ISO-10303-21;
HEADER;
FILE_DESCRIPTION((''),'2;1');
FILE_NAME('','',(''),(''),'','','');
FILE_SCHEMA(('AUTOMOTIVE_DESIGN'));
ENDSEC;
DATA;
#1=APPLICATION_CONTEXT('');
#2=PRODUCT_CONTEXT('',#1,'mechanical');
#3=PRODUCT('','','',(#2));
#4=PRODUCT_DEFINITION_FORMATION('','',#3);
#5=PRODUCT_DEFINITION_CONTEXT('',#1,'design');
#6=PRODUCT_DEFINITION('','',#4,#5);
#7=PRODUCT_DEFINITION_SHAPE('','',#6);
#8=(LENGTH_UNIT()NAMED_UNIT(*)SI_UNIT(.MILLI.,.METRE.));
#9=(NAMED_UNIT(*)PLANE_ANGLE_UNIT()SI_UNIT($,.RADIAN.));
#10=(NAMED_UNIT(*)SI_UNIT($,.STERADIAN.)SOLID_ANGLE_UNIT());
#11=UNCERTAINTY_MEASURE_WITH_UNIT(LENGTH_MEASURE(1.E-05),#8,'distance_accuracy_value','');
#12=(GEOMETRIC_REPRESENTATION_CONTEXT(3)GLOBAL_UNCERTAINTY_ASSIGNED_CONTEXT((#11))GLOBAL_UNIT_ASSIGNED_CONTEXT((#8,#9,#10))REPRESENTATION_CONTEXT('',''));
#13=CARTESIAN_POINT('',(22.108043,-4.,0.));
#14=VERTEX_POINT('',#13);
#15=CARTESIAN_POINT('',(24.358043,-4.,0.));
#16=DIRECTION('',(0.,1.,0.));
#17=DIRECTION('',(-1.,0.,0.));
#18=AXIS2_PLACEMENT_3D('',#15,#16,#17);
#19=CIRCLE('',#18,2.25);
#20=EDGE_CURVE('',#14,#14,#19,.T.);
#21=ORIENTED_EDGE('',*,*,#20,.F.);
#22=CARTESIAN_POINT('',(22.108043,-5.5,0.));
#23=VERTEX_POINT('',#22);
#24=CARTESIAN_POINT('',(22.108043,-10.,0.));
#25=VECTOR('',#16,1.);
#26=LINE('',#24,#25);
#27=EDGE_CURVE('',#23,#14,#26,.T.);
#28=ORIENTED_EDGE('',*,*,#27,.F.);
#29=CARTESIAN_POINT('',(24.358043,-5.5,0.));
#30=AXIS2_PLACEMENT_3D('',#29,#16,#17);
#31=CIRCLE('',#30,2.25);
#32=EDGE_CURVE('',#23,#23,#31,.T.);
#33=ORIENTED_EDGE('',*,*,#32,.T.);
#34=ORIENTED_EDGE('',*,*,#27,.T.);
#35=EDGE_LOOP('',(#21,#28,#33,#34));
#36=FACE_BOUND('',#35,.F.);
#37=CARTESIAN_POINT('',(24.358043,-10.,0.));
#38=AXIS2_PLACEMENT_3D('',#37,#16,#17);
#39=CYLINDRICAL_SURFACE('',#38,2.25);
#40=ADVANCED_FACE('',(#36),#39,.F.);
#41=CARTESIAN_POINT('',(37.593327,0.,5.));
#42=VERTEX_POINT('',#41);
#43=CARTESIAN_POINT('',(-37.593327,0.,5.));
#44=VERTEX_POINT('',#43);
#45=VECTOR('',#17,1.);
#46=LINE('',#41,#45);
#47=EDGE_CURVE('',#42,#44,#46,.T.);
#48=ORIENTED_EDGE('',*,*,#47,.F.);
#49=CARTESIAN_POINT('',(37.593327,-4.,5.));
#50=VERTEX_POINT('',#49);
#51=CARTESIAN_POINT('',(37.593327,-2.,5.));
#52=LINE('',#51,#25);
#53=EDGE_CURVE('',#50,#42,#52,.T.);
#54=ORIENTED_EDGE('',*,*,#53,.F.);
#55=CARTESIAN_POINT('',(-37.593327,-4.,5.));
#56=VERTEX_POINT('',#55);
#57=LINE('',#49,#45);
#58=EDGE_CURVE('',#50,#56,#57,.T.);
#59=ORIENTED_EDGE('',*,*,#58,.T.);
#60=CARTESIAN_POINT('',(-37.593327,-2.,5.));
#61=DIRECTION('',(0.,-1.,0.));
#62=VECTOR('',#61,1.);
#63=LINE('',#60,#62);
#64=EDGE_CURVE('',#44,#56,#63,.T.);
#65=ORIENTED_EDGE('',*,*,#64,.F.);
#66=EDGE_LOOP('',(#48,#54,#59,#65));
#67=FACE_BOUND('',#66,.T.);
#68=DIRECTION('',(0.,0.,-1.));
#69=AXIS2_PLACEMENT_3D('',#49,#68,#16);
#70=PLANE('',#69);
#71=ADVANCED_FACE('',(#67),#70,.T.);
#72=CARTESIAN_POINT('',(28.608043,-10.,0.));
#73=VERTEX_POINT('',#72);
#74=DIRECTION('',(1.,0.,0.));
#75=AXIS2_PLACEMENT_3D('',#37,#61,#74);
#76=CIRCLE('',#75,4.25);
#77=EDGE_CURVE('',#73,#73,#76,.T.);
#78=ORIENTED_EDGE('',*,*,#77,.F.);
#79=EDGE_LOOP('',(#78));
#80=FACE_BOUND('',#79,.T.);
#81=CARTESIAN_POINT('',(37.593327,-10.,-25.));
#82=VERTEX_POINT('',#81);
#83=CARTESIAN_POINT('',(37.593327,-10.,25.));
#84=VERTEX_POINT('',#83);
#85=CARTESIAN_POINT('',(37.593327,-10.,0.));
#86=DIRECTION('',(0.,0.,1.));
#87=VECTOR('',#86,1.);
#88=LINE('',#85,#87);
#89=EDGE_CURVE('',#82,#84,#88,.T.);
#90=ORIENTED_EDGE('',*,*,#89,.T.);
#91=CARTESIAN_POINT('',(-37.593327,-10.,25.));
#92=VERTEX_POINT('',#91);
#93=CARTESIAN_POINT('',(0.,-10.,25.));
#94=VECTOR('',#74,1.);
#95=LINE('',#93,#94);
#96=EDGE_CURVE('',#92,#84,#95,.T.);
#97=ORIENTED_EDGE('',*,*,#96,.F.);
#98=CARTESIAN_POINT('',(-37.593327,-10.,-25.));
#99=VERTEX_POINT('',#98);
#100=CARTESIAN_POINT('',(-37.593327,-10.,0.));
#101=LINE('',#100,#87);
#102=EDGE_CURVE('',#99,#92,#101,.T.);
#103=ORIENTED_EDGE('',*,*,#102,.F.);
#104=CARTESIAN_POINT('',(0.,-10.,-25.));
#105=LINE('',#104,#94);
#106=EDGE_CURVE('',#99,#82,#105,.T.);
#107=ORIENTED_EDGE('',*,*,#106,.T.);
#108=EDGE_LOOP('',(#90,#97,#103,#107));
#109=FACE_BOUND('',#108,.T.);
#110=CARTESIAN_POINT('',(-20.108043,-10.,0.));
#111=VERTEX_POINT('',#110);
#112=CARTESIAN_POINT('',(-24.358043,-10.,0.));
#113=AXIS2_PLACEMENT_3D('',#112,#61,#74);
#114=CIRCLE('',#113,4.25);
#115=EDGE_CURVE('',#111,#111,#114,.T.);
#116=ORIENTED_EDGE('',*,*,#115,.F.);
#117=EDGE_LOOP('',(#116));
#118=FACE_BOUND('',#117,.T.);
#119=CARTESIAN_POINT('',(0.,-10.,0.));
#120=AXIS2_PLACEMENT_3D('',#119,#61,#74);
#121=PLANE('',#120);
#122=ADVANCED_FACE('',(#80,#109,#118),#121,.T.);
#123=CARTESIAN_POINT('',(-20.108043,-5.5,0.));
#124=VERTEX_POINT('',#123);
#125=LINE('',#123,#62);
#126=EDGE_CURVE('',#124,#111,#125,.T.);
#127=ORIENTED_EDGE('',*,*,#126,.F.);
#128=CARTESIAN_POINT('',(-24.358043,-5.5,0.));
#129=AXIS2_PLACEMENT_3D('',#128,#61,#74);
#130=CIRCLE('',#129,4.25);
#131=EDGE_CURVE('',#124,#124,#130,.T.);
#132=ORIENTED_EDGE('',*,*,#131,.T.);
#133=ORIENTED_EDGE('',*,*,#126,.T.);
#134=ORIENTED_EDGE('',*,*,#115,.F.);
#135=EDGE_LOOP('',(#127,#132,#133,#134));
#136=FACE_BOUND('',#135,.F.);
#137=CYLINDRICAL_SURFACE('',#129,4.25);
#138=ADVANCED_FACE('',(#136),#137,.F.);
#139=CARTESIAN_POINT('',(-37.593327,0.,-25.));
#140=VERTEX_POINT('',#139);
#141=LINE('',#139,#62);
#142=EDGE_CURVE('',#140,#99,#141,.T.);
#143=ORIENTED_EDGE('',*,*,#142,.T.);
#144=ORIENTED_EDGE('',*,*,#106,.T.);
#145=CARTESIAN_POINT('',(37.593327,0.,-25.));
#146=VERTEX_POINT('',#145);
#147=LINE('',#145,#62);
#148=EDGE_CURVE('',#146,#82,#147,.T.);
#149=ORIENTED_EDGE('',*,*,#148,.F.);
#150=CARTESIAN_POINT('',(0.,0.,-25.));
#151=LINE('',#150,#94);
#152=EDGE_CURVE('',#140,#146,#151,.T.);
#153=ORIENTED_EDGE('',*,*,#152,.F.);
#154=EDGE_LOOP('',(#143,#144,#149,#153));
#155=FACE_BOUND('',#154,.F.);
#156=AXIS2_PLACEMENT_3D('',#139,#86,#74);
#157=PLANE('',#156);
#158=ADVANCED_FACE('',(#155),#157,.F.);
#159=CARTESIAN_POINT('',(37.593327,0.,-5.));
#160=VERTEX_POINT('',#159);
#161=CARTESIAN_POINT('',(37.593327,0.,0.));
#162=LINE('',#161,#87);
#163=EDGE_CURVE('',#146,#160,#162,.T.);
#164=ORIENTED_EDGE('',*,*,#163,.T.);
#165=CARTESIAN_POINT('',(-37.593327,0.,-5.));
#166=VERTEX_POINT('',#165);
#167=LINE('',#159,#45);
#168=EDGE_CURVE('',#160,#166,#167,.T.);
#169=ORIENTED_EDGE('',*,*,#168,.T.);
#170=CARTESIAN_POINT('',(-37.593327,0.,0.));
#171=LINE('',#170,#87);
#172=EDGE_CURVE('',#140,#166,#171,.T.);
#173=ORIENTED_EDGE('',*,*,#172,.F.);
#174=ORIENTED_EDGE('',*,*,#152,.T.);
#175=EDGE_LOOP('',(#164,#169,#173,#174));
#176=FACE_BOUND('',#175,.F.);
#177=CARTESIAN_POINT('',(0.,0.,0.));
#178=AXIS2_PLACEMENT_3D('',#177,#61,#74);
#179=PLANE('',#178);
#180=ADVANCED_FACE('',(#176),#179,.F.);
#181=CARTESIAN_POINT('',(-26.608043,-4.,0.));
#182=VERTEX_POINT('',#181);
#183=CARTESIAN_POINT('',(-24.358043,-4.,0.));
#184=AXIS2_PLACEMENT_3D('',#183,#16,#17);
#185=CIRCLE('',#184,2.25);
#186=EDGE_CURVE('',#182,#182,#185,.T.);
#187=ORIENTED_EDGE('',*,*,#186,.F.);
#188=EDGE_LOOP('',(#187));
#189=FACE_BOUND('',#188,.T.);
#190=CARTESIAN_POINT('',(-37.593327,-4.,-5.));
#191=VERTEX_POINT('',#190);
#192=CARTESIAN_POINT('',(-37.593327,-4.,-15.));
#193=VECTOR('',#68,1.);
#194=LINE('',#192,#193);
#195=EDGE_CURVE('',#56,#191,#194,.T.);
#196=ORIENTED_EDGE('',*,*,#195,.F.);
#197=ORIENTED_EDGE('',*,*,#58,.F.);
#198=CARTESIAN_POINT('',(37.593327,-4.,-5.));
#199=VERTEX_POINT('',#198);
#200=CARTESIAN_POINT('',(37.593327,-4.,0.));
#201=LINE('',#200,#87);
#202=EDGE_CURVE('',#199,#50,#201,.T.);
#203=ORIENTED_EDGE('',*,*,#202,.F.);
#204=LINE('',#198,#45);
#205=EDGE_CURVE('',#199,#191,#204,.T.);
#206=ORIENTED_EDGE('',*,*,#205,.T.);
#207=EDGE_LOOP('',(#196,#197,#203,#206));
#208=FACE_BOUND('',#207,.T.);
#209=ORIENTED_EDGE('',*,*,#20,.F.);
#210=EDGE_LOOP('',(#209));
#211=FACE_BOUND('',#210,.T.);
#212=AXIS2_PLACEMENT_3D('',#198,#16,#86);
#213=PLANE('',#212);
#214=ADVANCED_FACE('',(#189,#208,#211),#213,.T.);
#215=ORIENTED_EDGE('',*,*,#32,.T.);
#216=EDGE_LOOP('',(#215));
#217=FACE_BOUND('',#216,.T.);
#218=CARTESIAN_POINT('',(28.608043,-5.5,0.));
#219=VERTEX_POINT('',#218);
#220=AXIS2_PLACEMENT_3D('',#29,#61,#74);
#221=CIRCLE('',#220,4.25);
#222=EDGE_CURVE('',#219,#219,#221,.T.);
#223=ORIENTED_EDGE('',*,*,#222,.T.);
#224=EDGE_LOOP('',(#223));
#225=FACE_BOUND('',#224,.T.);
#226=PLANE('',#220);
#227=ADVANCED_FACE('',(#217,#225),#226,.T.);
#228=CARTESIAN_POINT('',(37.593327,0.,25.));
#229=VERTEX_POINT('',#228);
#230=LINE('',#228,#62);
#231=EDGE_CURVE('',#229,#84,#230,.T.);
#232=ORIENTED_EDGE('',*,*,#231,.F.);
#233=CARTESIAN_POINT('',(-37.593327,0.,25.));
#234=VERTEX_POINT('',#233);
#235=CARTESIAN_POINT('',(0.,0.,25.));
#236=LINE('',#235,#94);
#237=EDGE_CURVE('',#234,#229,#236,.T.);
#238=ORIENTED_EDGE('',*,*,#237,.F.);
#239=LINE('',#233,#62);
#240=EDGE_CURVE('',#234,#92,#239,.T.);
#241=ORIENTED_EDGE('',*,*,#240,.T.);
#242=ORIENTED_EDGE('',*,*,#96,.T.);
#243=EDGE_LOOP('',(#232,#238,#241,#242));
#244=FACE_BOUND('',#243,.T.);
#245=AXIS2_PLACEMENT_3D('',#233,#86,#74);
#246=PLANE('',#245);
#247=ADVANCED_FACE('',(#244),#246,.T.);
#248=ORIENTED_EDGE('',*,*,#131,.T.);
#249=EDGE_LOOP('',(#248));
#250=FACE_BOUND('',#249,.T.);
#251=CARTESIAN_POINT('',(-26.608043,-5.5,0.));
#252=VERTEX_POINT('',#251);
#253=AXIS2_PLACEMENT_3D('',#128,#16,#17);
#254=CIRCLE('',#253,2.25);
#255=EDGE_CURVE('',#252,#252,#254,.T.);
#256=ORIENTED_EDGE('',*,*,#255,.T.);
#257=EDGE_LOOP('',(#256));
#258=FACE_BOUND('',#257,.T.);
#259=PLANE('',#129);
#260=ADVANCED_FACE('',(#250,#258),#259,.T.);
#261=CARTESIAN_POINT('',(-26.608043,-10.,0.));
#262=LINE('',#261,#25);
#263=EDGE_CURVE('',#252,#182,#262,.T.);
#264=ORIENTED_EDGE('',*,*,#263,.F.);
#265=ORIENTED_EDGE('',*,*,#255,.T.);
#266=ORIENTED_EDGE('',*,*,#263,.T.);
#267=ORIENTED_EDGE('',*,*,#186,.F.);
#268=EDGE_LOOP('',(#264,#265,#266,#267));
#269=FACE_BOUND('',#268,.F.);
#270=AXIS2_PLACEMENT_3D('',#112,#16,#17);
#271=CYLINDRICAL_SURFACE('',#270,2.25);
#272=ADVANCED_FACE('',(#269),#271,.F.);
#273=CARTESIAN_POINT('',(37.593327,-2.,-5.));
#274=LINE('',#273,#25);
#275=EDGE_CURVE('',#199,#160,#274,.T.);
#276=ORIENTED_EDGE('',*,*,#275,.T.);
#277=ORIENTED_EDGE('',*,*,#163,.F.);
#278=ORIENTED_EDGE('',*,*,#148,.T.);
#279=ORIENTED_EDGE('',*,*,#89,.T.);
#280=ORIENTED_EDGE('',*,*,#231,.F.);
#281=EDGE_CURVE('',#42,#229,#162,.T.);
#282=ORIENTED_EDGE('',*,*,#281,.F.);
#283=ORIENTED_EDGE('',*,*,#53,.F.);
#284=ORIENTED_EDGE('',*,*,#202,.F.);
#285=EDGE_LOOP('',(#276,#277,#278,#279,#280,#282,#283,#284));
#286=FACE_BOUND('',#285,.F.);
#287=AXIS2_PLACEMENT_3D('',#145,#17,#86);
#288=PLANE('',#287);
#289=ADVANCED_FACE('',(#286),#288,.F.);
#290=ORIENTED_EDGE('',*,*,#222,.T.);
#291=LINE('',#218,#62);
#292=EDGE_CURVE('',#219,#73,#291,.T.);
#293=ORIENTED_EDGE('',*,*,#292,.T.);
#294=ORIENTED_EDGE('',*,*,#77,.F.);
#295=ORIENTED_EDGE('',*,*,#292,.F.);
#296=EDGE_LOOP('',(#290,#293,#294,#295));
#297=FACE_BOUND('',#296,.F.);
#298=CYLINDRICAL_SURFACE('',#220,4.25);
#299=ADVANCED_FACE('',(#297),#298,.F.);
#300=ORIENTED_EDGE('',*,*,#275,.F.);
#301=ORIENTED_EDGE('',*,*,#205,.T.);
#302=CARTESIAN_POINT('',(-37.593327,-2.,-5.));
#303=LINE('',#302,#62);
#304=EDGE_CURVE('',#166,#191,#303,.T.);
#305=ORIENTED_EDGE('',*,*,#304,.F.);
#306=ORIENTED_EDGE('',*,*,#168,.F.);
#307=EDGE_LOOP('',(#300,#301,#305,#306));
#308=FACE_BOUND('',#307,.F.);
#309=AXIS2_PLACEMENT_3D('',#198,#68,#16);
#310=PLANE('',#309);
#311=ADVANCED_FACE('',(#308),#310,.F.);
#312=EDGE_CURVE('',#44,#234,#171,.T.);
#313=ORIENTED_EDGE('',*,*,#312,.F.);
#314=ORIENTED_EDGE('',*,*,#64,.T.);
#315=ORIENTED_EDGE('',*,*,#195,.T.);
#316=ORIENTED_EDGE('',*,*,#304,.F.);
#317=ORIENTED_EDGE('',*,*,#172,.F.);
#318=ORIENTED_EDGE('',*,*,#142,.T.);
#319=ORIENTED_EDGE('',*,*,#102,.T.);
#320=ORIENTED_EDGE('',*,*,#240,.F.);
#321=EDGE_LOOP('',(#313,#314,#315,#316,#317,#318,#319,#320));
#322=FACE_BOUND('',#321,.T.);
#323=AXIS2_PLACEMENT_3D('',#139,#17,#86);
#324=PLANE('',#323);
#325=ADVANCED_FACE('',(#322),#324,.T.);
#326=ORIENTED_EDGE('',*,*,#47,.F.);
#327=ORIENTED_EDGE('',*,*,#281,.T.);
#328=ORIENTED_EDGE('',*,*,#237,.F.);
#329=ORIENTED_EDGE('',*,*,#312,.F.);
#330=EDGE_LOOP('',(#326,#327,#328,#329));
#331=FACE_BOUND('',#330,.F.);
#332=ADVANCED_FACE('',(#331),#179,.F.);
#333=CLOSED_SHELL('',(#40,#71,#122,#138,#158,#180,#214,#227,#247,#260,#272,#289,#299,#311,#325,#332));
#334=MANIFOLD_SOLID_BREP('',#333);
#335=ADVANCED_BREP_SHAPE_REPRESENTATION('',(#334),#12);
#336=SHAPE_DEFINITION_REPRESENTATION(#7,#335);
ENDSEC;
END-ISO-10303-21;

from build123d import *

# Parameters (mm, degrees)
F0_W           = 75.186654
F0_H           = 50
F1_DEPTH       = 10
F2_W           = 4
F2_H           = 10
F3_DEPTH       = 75.187655
F5_D           = 4.5
F5_CBORE_D     = 8.5
F5_CBORE_DEPTH = 4.5


with BuildPart() as f1:
    # F0 (on Front) → F1 (new body)
    with BuildSketch(Plane.XZ):
        Rectangle(F0_W, F0_H)
    extrude(amount=F1_DEPTH)

    # F2 (on face) → F3 (cut, through all)
    with BuildSketch(Plane.YZ.offset(37.593327)):
        with Locations((-2, 0)):
            Rectangle(F2_W, F2_H)
    extrude(amount=-F3_DEPTH, mode=Mode.SUBTRACT)

    # F5 (through all)
    with Locations(Plane.XZ.offset(10)):
        with Locations((-24.358043, 0), (24.358043, 0)):
            CounterBoreHole(F5_D / 2, F5_CBORE_D / 2, F5_CBORE_DEPTH)


solid = f1.part
